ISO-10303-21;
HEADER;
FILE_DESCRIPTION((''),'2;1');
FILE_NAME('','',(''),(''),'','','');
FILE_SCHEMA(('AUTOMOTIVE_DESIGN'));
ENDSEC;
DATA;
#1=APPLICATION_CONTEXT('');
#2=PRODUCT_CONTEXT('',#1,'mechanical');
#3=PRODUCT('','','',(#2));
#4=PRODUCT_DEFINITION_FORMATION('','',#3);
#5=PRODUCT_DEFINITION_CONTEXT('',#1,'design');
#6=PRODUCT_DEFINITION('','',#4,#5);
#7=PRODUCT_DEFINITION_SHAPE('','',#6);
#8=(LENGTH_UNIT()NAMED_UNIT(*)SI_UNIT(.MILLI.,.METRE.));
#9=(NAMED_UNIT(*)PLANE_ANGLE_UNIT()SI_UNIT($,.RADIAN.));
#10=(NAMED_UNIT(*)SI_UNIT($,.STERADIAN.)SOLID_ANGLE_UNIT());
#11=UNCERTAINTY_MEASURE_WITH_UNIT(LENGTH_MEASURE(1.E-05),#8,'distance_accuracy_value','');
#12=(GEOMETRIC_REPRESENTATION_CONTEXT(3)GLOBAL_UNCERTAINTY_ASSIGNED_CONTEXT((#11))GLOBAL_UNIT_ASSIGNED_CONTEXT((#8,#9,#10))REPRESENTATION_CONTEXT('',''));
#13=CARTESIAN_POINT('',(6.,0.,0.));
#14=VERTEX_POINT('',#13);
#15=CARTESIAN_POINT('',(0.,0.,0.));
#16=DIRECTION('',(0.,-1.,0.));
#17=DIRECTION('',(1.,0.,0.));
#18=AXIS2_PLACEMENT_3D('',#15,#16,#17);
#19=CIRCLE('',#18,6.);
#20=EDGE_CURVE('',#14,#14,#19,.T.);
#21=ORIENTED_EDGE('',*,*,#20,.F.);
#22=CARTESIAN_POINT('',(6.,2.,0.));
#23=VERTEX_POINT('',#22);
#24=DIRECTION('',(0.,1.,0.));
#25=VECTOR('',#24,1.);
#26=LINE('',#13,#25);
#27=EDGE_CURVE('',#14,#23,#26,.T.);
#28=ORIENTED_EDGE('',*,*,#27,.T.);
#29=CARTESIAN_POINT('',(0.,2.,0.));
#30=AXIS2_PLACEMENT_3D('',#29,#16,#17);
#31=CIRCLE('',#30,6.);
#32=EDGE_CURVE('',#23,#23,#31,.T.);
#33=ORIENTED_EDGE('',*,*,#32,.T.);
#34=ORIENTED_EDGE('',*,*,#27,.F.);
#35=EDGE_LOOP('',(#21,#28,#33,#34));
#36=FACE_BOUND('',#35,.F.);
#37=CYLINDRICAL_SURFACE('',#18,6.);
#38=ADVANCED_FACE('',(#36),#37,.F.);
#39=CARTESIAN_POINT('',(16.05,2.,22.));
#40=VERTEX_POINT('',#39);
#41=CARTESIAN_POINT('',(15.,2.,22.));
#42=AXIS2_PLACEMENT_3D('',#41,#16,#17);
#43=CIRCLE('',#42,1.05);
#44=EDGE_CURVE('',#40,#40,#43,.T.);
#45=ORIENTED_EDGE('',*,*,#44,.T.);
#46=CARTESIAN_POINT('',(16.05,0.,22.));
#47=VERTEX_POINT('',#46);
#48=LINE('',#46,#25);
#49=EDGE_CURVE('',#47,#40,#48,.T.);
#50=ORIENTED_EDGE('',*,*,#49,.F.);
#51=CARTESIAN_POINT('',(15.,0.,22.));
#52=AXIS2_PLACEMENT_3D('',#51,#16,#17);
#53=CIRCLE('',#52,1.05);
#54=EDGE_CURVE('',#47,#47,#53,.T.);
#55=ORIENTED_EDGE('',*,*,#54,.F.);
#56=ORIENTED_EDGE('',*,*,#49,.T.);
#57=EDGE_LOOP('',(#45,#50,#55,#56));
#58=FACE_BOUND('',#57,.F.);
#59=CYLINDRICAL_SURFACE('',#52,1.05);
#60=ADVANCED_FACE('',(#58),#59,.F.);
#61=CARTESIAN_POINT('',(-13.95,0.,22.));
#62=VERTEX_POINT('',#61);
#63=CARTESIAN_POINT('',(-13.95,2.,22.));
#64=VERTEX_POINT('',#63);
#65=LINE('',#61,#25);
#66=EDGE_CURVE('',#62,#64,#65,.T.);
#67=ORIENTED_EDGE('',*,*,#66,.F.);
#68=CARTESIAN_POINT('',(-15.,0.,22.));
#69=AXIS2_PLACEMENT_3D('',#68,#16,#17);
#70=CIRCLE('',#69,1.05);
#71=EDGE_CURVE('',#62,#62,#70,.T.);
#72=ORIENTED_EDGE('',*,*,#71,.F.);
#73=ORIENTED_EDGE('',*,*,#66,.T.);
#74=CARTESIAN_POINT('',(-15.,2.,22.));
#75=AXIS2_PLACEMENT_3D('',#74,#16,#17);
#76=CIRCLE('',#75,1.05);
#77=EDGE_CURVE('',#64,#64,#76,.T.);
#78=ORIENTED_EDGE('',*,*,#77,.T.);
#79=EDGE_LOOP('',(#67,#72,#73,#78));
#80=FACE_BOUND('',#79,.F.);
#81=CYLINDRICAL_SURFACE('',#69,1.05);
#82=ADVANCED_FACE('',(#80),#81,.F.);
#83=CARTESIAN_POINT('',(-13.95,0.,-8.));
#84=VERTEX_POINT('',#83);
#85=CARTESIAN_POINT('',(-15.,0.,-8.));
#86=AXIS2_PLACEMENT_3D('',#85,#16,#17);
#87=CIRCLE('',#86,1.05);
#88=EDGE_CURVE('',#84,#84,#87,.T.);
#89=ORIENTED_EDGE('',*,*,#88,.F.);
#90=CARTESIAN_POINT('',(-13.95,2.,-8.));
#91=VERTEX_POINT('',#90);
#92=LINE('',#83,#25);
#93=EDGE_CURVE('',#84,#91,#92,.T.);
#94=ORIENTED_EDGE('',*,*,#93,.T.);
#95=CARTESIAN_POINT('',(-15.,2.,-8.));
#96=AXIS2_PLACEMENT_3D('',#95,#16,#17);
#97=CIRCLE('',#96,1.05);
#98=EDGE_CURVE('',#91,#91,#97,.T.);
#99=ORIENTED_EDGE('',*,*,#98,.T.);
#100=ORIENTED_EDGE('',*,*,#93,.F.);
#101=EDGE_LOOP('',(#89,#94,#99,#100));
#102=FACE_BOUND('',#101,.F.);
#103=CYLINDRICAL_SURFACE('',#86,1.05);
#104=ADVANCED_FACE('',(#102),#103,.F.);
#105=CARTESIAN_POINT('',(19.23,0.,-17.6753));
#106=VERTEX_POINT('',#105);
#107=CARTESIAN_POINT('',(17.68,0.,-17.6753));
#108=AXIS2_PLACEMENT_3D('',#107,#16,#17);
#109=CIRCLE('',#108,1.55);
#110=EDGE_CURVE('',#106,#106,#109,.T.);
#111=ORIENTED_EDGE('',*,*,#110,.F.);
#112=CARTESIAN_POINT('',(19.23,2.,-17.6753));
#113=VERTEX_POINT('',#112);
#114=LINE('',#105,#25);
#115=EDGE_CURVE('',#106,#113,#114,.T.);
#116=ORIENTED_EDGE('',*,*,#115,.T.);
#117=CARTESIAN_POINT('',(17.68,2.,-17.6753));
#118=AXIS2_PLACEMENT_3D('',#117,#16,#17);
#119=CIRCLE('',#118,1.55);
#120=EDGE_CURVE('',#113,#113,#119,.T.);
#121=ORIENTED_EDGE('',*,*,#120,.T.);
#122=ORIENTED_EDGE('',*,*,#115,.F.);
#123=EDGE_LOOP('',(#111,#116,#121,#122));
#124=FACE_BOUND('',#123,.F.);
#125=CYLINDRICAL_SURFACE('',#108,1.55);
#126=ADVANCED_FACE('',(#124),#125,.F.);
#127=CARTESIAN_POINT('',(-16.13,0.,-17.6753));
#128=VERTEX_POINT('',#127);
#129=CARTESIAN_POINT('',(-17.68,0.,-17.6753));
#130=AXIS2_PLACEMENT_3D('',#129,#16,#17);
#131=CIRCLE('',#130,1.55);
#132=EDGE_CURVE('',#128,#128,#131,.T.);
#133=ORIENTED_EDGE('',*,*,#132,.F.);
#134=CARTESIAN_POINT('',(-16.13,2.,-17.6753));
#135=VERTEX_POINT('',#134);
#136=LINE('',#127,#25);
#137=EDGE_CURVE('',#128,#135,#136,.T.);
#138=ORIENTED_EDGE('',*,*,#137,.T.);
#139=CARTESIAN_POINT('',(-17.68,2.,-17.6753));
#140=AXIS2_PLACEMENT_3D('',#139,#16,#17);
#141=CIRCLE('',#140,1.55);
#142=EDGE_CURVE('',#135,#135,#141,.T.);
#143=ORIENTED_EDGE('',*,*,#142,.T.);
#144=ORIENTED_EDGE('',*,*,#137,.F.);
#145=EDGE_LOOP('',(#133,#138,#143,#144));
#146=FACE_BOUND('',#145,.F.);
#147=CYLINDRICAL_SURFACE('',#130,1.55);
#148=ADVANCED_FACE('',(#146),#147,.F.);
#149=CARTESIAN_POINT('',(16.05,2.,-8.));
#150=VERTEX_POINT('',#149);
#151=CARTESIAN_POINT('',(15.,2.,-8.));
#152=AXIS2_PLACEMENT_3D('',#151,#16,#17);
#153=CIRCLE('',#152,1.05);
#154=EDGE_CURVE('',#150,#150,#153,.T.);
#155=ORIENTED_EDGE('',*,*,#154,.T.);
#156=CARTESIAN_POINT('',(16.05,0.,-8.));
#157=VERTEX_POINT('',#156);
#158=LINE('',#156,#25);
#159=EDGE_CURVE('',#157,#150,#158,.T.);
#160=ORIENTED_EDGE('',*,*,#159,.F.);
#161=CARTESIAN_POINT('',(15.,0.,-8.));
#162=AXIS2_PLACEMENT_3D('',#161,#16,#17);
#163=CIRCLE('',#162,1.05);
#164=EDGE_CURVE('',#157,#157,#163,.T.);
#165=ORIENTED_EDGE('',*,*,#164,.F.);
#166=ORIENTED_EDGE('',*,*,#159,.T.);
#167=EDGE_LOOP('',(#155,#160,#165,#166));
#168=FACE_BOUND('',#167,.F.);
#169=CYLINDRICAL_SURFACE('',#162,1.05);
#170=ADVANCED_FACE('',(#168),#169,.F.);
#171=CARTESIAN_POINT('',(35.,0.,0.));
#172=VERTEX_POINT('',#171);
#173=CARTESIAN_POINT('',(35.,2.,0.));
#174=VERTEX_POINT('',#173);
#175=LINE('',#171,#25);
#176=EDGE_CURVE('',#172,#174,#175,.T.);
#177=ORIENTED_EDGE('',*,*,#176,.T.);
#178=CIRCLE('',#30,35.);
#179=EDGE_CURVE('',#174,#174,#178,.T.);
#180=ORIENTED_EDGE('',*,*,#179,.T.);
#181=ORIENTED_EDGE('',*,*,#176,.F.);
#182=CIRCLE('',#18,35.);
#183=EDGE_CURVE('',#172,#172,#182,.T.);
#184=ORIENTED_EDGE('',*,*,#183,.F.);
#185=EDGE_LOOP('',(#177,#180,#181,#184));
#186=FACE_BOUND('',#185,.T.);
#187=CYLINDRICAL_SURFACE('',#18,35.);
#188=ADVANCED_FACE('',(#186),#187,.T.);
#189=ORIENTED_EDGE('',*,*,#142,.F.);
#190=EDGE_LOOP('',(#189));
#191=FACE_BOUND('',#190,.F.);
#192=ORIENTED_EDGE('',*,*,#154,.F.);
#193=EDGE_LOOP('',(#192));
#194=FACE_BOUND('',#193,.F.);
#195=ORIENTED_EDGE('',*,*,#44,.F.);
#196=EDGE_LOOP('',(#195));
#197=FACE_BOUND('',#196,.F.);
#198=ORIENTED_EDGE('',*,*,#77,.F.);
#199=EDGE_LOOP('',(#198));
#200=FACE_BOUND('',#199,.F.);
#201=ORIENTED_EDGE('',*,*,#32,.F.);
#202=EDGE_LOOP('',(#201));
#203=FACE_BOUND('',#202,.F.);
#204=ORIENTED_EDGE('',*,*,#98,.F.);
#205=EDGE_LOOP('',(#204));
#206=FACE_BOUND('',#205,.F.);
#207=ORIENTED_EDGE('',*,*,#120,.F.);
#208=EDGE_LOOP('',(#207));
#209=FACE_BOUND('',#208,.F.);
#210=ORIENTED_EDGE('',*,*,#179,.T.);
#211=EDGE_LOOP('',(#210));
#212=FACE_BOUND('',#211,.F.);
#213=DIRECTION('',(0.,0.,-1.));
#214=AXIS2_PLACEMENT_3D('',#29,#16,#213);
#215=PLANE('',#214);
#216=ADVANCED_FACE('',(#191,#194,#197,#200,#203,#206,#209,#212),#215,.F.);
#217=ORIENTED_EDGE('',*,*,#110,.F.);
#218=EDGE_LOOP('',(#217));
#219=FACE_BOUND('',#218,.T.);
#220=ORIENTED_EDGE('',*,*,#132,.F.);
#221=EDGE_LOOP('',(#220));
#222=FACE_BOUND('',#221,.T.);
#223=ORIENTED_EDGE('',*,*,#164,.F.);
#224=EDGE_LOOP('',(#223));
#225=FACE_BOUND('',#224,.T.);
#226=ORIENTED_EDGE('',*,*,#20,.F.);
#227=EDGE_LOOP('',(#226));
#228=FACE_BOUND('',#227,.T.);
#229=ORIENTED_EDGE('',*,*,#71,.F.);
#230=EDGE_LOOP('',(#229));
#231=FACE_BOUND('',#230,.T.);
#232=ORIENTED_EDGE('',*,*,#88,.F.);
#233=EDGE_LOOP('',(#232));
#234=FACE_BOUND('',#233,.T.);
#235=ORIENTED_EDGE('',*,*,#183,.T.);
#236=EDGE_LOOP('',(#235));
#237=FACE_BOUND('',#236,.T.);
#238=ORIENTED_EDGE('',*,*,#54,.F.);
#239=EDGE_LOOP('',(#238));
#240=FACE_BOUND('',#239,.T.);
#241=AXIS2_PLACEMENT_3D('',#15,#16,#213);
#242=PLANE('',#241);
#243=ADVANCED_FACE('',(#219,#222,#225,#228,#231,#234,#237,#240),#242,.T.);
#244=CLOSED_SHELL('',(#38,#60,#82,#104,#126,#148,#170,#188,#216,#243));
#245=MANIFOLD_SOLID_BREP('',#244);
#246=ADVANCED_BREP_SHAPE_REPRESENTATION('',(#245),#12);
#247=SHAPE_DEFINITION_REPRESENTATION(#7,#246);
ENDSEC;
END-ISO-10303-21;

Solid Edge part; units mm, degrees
sketch "Sketch1" plane through (0, 0, 0) normal (0, -1, 0) x (1, 0, 0)
  circle A0 centre (0, 0) radius 35
  circle A1 centre (0, 0) radius 6
  dimension "D1" = 8
extrude "Protrusion1" add sketch "Sketch1" against normal blind 2
sketch "Sketch2" plane through (0, 0, 0) normal (0, -1, 0) x (1, 0, 0)
  circle A0 centre (-15, 22) radius 1.05
  circle A1 centre (-15, -8) radius 1.05
  circle A2 centre (15, 22) radius 1.05
  circle A3 centre (15, -8) radius 1.05
  dimension "D1" = 8
extrude "ExtrudedCutout_4" cut sketch "Sketch2" along normal mid plane 224.2374
sketch "Sketch3" plane through (0, 0, 0) normal (0, -1, 0) x (1, 0, 0)
  circle A0 centre (-17.68, -17.6753) radius 1.55
  circle A1 centre (17.68, -17.6753) radius 1.55
  dimension "D1" = 8
extrude "ExtrudedCutout_5" cut sketch "Sketch3" along normal mid plane 156.4567
